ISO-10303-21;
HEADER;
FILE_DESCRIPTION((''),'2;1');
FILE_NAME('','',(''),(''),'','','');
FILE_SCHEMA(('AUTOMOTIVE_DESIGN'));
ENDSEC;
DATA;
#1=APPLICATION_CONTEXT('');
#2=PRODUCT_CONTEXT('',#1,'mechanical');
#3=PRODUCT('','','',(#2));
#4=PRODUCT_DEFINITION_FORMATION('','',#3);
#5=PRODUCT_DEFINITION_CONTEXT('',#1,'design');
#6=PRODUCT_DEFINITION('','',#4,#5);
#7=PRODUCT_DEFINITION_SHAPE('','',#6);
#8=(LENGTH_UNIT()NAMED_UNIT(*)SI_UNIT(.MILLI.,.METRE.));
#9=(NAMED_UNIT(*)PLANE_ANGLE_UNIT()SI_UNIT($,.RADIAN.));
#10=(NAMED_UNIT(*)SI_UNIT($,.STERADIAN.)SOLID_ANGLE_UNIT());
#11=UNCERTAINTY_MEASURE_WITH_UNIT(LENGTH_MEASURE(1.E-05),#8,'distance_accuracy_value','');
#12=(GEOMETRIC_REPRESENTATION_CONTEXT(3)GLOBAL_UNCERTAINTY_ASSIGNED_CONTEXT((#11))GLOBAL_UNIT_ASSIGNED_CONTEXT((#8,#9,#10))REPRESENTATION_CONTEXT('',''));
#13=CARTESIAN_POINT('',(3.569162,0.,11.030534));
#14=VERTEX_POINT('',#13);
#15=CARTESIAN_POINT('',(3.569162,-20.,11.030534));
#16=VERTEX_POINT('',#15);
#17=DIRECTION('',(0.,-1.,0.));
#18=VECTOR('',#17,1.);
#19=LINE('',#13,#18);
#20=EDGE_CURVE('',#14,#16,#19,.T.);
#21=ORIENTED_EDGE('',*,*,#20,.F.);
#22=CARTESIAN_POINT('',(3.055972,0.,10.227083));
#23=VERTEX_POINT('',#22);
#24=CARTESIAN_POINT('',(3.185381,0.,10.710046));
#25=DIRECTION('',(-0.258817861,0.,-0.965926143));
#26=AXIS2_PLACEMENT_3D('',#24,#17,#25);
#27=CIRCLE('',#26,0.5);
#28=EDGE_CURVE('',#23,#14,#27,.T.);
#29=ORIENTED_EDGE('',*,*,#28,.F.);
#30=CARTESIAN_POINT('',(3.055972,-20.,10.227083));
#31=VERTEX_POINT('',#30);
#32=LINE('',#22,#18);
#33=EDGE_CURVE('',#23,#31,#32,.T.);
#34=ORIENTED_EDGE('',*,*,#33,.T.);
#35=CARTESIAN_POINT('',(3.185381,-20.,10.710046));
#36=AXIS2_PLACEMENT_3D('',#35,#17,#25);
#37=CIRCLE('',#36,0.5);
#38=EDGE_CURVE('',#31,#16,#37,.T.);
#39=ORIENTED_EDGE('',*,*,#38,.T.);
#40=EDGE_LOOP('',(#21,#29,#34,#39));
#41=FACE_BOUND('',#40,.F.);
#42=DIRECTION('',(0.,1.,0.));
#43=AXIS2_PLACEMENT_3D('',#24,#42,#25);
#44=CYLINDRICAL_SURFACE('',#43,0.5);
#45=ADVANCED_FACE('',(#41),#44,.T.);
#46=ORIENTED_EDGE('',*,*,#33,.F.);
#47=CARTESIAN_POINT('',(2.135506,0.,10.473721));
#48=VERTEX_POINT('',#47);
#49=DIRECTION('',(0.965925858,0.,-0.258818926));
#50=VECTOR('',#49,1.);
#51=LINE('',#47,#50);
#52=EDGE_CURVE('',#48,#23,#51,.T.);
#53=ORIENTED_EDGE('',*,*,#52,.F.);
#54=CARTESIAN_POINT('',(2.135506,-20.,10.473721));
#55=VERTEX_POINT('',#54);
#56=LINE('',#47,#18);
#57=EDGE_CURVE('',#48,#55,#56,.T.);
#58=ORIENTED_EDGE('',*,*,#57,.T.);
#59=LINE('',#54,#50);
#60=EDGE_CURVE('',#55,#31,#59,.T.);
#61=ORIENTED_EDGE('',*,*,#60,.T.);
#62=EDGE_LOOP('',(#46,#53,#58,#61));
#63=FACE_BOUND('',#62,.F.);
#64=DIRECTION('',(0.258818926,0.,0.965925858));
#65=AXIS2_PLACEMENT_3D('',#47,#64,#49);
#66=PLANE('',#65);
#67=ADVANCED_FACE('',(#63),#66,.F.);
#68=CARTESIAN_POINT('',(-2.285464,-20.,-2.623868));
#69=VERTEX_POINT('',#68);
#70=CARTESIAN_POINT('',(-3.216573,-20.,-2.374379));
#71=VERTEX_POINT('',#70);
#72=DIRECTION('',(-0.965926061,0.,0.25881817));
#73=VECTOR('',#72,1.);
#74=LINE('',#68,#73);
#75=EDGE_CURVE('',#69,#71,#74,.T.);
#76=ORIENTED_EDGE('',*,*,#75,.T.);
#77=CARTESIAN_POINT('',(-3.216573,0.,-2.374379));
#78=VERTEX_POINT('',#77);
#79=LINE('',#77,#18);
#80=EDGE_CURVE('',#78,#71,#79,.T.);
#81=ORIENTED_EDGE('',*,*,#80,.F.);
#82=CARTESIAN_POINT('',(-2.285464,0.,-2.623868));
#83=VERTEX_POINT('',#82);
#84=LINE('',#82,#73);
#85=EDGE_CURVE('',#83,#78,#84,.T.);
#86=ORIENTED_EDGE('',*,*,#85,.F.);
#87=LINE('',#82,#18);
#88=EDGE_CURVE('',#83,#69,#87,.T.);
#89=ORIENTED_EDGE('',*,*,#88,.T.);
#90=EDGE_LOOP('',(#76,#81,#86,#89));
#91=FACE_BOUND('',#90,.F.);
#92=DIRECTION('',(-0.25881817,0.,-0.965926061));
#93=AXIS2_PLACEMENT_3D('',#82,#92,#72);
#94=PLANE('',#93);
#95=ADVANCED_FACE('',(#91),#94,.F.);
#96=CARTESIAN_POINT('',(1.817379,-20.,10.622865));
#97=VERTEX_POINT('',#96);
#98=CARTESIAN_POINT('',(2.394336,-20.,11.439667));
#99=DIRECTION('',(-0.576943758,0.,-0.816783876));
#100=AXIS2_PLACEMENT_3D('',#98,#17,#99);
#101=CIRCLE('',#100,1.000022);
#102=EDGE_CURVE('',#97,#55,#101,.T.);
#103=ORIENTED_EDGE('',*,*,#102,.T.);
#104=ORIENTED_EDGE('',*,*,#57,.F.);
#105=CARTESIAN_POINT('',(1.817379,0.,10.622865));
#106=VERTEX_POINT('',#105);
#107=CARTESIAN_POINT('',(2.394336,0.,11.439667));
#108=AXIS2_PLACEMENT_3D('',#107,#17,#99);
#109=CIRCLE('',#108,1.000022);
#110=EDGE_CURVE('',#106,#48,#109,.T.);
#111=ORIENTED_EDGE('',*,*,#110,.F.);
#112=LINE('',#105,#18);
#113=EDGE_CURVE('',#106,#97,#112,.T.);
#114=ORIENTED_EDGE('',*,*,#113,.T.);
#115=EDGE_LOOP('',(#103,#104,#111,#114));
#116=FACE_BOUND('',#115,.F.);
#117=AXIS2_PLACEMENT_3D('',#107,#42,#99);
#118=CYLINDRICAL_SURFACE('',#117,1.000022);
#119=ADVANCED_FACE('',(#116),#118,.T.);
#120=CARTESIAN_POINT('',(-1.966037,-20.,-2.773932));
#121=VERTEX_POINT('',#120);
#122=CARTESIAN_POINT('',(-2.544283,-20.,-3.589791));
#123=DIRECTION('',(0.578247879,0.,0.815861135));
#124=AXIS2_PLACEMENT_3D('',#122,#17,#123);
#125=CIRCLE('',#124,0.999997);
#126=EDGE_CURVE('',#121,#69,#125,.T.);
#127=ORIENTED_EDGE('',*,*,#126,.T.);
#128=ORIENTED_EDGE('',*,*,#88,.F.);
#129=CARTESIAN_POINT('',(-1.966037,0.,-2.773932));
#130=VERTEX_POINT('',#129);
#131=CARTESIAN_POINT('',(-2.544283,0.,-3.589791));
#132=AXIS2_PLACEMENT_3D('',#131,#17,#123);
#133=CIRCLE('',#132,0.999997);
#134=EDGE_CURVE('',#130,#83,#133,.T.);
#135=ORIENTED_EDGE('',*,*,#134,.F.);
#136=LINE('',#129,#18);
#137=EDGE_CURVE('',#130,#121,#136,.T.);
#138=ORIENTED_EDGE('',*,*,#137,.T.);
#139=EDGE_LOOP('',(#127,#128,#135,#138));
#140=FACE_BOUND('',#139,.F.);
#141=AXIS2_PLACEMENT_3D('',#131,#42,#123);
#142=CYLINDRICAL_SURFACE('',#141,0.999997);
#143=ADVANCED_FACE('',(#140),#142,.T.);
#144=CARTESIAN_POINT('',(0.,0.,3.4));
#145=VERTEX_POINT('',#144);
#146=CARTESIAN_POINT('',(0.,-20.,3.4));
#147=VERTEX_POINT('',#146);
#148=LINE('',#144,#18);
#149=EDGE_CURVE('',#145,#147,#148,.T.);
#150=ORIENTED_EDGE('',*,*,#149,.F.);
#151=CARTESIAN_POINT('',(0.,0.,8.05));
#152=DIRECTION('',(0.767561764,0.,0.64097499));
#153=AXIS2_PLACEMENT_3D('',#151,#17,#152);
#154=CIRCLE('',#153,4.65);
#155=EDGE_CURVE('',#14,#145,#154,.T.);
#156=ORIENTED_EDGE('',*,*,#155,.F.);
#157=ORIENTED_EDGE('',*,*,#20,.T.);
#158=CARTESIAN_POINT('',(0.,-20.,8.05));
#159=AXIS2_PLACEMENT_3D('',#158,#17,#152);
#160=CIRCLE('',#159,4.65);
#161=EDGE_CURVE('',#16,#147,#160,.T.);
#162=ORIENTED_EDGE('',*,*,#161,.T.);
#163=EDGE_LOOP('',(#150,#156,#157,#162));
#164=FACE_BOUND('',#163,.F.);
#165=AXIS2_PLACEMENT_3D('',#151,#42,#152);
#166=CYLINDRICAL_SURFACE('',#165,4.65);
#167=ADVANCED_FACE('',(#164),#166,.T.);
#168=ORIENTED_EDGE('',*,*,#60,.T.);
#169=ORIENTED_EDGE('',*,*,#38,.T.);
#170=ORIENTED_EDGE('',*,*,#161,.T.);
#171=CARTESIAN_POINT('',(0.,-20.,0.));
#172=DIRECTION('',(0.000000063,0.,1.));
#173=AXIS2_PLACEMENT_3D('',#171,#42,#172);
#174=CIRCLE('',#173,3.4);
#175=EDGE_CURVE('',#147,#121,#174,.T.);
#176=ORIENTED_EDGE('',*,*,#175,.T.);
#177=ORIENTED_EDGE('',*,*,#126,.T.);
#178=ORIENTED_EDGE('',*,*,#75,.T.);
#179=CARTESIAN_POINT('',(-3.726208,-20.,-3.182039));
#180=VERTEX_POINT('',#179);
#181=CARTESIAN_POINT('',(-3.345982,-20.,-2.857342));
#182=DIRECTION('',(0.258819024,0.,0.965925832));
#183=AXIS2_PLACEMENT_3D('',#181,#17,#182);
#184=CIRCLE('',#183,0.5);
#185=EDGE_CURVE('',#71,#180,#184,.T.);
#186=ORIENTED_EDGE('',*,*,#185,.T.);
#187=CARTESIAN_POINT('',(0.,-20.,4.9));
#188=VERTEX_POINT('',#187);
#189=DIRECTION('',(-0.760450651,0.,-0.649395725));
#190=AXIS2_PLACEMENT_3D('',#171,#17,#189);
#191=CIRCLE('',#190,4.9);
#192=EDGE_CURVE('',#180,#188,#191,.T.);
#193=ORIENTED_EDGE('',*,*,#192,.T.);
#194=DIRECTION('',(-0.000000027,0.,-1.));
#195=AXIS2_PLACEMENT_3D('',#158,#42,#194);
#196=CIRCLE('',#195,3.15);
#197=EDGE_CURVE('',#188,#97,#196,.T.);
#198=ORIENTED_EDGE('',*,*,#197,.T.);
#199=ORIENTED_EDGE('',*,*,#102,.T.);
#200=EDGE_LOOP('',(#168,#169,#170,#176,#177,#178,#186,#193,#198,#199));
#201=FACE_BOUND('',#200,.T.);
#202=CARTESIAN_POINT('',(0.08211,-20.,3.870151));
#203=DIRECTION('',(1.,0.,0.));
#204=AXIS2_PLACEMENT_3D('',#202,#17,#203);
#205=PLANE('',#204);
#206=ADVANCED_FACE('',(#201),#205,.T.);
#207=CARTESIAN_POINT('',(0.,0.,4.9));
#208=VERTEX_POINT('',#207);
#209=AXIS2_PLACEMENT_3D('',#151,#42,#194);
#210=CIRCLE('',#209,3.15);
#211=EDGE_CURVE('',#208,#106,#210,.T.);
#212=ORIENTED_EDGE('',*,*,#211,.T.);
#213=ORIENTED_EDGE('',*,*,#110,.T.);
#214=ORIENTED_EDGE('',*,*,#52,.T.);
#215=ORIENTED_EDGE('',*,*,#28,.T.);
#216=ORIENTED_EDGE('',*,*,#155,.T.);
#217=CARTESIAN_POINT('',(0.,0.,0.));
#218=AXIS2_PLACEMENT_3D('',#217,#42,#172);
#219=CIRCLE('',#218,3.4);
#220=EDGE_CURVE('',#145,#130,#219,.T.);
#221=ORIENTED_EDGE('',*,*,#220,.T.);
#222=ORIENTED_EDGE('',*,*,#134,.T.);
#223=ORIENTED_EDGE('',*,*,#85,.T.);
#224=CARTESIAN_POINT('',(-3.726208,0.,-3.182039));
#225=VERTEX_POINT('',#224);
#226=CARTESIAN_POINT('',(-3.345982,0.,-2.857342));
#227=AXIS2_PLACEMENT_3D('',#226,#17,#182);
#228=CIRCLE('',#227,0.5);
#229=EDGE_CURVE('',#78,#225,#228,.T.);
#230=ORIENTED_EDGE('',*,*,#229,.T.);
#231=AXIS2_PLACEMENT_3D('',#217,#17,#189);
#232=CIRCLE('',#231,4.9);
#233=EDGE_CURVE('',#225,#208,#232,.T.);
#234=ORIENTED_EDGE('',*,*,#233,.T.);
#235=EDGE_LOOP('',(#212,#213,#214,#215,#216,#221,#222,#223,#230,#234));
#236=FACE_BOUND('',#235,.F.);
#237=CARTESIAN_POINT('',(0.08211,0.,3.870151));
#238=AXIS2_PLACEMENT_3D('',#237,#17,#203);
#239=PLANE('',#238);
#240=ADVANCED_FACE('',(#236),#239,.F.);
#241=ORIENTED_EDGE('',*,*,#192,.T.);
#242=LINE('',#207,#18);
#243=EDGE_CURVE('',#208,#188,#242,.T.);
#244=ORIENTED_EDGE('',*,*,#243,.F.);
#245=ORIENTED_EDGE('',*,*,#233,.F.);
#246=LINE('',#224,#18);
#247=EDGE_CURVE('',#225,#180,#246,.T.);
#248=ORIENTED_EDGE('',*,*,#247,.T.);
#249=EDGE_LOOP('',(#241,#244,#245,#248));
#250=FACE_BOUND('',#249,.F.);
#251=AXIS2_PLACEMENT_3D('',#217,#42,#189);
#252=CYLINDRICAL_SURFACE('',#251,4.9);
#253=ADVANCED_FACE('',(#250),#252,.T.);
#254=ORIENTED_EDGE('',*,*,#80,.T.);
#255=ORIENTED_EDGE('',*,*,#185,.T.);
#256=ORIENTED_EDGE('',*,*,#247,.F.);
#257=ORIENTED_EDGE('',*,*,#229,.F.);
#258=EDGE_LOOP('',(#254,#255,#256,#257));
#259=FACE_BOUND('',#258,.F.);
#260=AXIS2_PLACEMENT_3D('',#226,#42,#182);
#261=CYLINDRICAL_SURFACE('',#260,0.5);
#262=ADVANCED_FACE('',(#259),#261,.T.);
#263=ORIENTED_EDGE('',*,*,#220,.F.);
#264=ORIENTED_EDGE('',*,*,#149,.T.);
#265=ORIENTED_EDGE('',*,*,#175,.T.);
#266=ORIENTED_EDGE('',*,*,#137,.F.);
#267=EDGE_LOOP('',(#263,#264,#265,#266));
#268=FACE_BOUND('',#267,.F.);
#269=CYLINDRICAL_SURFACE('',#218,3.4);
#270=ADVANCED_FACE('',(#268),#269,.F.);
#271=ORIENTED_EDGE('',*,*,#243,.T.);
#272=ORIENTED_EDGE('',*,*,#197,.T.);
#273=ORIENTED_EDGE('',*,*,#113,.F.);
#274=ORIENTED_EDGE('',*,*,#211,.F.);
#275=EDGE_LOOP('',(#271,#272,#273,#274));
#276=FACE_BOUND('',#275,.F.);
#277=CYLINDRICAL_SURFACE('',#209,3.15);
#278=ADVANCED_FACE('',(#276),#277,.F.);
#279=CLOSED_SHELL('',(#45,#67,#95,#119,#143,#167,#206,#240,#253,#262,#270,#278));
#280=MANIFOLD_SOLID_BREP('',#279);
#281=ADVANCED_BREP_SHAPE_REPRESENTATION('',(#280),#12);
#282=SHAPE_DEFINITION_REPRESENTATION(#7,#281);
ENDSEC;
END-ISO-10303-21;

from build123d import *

# Parameters (mm, degrees)
F1_DEPTH = 20


with BuildPart() as f1:
    # F0 (on Front) → F1 (new body)
    with BuildSketch(Plane.XZ):
        with BuildLine():
            ThreePointArc((0, 3.4), (3.239704, -1.031657), (-1.966037, -2.773932))
            ThreePointArc((-1.966037, -2.773932), (-2.119078, -2.684697), (-2.285464, -2.623868))
            Line((-2.285464, -2.623868), (-3.216573, -2.374379))
            ThreePointArc((-3.216573, -2.374379), (-3.768837, -2.59052), (-3.726208, -3.182039))
            ThreePointArc((-3.726208, -3.182039), (4.449831, -2.051586), (0, 4.9))
            ThreePointArc((0, 4.9), (-3.002251, 9.003409), (1.817379, 10.622865))
            ThreePointArc((1.817379, 10.622865), (1.969841, 10.534212), (2.135506, 10.473721))
            Line((2.135506, 10.473721), (3.055972, 10.227083))
            ThreePointArc((3.055972, 10.227083), (3.606759, 10.440898), (3.569162, 11.030534))
            ThreePointArc((3.569162, 11.030534), (-4.212006, 10.020155), (0, 3.4))
        make_face()
    extrude(amount=F1_DEPTH)


solid = f1.part
